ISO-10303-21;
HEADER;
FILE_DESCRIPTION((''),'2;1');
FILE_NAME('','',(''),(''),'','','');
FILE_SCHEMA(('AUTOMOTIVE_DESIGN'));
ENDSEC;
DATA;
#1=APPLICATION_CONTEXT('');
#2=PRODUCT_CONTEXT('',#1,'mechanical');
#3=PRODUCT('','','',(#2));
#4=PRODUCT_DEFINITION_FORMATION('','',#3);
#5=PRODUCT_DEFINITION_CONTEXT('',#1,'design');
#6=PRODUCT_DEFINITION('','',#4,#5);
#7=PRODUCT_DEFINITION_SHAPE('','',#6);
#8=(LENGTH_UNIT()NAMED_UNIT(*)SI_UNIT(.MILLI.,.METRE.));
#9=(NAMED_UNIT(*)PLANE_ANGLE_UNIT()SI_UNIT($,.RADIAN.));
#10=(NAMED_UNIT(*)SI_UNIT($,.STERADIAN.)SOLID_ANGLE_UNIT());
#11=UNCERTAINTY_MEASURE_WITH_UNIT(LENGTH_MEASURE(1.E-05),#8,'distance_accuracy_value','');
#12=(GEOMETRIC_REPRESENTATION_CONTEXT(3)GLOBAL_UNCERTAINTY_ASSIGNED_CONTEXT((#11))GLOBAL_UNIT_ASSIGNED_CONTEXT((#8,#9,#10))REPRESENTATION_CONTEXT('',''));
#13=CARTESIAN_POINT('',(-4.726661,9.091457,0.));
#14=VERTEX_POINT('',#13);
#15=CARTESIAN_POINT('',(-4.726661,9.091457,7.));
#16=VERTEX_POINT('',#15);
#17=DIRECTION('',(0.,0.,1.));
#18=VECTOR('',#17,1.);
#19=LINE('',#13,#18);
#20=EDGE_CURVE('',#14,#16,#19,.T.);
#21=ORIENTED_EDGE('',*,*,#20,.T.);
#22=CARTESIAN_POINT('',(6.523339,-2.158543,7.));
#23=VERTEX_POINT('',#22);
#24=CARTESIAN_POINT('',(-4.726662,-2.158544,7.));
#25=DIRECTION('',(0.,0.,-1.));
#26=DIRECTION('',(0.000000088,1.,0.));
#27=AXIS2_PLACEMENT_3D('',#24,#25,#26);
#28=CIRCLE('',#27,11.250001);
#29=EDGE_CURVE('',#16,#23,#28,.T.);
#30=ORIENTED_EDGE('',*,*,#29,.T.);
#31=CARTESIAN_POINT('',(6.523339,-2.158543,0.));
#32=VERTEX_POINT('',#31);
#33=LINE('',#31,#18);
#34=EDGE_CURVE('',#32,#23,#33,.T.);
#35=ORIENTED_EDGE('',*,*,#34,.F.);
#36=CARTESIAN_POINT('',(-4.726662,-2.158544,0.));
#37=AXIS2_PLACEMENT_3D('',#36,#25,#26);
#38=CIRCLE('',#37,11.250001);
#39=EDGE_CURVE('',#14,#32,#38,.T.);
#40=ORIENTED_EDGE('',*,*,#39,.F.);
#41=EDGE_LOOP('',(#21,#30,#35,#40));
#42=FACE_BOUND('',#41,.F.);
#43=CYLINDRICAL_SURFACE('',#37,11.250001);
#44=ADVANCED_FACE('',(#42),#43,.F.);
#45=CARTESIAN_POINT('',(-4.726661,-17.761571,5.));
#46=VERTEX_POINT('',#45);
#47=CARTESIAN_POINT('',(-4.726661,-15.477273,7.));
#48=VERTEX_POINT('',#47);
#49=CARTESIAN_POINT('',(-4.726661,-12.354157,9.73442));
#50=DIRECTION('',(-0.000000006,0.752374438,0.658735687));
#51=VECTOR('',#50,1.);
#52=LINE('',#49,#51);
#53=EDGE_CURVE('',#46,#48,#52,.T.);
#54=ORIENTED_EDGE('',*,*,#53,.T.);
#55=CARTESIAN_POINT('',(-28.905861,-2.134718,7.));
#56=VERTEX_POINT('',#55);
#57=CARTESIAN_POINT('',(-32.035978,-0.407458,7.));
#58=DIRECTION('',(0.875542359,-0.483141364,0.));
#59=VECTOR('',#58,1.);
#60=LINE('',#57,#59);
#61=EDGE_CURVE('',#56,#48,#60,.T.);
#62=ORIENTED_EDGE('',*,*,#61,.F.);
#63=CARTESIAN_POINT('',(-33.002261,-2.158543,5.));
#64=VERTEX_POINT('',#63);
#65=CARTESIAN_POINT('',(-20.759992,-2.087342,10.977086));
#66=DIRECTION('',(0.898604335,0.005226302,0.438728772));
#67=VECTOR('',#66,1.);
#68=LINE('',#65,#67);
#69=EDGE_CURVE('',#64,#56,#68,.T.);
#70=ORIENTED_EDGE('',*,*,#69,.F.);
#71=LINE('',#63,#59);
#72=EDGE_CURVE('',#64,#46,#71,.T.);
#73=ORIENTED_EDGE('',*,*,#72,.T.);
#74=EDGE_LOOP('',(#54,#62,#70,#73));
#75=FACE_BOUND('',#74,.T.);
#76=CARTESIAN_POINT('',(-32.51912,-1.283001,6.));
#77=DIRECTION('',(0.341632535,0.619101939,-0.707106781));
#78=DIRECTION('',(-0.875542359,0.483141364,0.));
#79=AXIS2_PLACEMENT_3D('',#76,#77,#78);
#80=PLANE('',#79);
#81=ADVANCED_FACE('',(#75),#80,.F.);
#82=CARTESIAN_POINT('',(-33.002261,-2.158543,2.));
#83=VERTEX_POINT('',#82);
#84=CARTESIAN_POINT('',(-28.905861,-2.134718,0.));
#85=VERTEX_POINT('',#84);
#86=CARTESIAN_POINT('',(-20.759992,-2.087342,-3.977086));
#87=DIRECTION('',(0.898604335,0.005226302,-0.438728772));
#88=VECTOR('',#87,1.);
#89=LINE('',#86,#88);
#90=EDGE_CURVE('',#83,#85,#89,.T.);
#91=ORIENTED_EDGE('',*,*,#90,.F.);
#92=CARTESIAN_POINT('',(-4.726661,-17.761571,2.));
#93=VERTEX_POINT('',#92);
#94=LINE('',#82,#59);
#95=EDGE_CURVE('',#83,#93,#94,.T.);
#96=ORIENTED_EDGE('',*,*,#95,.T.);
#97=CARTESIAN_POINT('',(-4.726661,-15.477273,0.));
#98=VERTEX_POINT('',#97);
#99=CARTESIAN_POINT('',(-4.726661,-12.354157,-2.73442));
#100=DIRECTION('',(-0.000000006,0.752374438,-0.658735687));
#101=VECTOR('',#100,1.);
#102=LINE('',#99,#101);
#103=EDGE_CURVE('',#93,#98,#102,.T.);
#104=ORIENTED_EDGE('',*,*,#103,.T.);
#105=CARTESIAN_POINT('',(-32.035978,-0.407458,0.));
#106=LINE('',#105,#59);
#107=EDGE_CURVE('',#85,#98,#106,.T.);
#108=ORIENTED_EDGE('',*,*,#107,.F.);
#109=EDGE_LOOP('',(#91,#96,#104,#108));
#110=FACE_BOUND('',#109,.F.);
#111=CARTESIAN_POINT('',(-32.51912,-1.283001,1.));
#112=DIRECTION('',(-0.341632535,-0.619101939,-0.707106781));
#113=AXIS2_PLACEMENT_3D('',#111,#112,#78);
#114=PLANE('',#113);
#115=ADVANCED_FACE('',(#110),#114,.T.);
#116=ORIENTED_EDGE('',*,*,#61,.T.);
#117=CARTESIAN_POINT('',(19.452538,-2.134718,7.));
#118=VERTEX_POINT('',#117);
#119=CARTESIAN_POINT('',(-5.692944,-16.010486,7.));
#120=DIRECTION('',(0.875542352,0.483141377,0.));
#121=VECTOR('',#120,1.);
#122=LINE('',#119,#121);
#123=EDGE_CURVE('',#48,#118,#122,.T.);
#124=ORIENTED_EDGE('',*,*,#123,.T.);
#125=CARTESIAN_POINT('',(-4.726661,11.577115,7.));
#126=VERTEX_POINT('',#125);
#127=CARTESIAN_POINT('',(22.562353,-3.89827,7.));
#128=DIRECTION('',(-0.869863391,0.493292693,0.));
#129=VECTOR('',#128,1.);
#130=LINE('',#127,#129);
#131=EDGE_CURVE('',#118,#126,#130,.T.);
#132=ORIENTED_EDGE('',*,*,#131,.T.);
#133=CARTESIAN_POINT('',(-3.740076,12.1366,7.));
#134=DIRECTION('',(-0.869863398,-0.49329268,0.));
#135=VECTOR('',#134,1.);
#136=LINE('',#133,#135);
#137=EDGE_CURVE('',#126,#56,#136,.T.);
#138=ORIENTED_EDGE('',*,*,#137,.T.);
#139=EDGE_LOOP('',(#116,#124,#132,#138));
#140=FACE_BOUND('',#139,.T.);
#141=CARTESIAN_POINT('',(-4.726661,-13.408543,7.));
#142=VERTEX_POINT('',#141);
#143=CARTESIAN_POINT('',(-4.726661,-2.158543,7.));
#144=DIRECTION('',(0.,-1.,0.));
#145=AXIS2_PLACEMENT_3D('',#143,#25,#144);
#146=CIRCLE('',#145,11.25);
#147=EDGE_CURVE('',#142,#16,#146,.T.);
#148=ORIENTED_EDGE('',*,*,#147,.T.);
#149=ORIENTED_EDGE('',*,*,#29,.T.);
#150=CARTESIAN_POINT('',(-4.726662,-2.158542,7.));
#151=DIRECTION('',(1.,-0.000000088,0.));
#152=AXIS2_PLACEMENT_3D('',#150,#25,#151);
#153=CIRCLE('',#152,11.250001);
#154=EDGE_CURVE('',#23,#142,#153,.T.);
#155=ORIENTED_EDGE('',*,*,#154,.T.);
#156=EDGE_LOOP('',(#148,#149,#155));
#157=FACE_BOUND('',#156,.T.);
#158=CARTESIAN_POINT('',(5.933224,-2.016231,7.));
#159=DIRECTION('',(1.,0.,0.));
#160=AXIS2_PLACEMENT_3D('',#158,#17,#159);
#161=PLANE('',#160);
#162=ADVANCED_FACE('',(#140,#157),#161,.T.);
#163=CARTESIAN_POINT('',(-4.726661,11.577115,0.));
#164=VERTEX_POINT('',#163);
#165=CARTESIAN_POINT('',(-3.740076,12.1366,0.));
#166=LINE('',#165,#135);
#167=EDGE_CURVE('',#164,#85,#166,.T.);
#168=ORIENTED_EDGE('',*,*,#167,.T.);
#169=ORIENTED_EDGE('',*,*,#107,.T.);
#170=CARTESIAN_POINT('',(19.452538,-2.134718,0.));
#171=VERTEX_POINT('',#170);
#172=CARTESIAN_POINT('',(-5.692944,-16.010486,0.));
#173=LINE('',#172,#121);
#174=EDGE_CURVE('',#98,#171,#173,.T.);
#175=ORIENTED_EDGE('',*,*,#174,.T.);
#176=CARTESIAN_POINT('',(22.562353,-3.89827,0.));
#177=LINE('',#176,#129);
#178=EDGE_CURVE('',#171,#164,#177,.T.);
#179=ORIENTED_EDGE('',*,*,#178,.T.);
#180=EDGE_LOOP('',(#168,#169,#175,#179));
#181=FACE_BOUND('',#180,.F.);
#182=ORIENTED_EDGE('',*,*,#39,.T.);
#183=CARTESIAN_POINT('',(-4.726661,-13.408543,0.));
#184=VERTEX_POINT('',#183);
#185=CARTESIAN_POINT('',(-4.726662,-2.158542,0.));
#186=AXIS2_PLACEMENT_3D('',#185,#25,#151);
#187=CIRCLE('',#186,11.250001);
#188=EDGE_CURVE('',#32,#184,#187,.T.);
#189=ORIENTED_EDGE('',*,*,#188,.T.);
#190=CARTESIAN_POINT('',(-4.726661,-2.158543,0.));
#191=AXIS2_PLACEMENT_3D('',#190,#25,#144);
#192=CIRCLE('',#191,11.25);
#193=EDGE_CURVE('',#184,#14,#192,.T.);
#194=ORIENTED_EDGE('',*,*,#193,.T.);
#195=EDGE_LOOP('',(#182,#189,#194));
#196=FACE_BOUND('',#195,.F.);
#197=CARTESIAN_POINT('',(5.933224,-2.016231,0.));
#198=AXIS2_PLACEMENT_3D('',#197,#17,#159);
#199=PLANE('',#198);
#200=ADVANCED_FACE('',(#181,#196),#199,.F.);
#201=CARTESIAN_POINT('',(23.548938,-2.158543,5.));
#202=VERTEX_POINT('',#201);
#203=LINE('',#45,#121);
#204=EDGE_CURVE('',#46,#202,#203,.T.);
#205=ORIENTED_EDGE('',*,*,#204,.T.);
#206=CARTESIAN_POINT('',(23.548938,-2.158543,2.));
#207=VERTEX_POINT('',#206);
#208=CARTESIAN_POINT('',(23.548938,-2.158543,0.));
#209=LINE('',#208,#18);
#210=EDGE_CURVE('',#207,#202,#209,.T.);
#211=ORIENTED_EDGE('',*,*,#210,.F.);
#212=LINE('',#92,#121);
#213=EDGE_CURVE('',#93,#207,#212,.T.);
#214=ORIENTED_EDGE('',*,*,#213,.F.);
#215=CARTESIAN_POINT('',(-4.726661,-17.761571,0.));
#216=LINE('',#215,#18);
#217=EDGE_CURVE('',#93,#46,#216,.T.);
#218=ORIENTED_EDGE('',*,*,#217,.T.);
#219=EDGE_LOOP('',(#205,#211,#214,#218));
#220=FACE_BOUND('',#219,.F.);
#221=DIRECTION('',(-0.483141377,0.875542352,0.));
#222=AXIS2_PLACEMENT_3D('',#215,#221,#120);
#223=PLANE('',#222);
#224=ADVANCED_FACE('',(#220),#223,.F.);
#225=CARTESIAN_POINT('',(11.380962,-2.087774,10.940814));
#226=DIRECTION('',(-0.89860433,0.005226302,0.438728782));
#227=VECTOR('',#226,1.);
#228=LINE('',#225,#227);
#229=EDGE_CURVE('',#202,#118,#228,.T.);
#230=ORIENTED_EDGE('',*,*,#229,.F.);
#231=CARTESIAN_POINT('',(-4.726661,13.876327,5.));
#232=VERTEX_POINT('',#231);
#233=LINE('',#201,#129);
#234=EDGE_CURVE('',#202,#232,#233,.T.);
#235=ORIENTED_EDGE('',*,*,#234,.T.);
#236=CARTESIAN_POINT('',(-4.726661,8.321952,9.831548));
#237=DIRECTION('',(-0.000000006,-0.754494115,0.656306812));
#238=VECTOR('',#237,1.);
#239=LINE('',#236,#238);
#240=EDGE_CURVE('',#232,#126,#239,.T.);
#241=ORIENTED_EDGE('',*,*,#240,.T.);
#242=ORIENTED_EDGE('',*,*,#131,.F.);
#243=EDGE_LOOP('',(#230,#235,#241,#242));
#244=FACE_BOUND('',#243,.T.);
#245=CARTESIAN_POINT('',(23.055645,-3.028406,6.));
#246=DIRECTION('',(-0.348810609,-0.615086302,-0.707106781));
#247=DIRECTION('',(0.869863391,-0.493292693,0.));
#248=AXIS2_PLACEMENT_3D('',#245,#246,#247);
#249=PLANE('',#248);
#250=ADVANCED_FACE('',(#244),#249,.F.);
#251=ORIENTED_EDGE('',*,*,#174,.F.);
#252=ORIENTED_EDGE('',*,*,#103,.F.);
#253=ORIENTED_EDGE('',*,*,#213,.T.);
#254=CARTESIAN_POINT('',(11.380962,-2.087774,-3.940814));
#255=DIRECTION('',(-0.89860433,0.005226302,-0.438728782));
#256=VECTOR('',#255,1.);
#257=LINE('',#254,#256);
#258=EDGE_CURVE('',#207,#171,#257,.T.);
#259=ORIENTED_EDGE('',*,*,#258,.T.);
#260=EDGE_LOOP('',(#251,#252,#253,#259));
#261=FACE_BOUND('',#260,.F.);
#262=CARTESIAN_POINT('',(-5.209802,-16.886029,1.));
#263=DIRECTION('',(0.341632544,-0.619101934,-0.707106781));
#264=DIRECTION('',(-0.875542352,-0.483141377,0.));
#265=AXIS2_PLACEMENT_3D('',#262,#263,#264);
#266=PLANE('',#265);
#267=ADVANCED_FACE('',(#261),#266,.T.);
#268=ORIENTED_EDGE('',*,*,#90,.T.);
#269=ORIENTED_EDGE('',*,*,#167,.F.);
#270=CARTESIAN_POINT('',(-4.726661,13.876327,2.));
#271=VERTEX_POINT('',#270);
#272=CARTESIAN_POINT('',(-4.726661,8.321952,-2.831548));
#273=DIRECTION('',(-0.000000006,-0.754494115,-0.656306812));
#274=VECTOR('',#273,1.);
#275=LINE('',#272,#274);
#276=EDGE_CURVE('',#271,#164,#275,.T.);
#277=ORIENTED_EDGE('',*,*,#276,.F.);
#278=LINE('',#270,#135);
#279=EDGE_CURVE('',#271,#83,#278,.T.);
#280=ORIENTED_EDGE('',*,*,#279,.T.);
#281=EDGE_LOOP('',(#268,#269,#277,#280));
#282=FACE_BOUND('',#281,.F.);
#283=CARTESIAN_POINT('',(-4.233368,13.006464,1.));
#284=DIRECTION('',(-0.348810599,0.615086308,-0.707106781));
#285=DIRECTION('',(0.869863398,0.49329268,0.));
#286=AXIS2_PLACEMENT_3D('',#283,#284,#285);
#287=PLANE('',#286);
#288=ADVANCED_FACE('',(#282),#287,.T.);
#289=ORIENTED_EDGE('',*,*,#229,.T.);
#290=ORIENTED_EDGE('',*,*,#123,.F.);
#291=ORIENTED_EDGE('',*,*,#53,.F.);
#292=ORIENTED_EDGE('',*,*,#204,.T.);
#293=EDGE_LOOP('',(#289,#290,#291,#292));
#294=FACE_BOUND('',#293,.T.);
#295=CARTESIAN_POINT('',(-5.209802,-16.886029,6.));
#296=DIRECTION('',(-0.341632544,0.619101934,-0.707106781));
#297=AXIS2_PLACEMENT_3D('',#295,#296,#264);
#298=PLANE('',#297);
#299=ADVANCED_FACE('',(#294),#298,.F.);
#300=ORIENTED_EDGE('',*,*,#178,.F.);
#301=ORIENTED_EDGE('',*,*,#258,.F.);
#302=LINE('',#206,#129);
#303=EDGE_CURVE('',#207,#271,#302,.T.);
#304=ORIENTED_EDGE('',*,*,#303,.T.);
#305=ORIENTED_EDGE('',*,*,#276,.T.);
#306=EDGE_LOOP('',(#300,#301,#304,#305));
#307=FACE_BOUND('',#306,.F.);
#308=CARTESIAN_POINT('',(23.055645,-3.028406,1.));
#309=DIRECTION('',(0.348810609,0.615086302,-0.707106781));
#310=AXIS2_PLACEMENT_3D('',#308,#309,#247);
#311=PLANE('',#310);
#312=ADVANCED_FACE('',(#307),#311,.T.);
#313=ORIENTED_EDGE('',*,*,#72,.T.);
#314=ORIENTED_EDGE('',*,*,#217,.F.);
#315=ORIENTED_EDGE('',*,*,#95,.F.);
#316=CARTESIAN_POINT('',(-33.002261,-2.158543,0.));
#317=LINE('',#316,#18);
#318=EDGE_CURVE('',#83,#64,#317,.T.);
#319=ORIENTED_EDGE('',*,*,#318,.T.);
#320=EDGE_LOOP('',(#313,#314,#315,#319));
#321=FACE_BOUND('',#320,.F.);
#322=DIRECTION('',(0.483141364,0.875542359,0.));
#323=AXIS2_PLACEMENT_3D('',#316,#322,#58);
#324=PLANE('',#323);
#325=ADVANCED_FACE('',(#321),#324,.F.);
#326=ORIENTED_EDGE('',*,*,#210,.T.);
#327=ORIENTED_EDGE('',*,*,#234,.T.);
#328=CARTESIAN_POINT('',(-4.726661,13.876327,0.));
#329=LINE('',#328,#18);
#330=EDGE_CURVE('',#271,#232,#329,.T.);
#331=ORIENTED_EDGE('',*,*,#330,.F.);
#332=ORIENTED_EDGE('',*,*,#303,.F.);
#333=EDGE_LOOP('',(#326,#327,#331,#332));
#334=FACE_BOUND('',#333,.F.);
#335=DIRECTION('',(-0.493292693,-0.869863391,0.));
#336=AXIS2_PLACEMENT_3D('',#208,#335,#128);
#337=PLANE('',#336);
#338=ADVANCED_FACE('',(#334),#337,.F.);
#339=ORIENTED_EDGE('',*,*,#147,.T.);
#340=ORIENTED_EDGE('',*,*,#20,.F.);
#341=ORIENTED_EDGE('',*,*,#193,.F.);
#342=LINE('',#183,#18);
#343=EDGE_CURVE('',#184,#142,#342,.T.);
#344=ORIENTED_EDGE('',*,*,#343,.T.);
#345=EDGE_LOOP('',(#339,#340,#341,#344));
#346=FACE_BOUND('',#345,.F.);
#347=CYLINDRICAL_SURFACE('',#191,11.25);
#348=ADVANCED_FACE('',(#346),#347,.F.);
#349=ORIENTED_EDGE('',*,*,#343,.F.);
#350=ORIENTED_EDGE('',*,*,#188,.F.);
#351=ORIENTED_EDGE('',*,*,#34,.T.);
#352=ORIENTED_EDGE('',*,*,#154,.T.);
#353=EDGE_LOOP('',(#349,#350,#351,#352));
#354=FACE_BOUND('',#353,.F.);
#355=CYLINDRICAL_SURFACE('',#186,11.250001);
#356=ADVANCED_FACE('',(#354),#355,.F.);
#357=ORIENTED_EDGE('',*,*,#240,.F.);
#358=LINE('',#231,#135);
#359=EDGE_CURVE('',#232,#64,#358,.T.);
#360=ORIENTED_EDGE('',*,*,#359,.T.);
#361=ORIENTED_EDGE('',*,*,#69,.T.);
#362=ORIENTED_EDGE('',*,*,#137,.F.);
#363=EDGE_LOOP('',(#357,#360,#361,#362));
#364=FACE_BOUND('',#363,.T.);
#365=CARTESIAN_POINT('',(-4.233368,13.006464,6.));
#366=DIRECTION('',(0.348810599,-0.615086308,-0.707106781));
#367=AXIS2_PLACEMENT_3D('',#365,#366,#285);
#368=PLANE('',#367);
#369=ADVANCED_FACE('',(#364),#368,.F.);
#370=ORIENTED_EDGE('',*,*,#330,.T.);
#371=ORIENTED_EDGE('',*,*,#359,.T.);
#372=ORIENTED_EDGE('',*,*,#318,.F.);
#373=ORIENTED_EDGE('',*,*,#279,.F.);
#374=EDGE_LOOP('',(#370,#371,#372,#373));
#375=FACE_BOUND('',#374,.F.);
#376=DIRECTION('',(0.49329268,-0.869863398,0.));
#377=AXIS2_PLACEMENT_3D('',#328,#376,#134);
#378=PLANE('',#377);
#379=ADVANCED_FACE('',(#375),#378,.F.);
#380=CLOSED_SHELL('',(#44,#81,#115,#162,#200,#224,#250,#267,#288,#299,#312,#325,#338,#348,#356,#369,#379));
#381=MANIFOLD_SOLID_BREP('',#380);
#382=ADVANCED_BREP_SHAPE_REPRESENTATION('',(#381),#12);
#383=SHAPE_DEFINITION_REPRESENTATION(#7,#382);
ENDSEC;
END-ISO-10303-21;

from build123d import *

# Parameters (mm, degrees)
F1_DEPTH = 7
F2_SIZE  = 2


with BuildPart() as f1:
    # F0 (on Top) → F1 (new body)
    with BuildSketch(Plane.XY):
        with BuildLine():
            ThreePointArc((-4.726661, 9.091457), (3.22829, 5.796408), (6.523339, -2.158543))
            ThreePointArc((6.523339, -2.158543), (3.22829, -10.113494), (-4.726661, -13.408543))
            Line((-4.726661, -13.408543), (-4.726661, -17.761571))
            Line((-4.726661, -17.761571), (23.548938, -2.158543))
            Line((23.548938, -2.158543), (-4.726661, 13.876327))
            Line((-4.726661, 13.876327), (-4.726661, 9.091457))
        make_face()
        with BuildLine():
            ThreePointArc((-4.726661, -13.408543), (-15.976661, -2.158543), (-4.726661, 9.091457))
            Line((-4.726661, 9.091457), (-4.726661, 13.876327))
            Line((-4.726661, 13.876327), (-33.002261, -2.158543))
            Line((-33.002261, -2.158543), (-4.726661, -17.761571))
            Line((-4.726661, -17.761571), (-4.726661, -13.408543))
        make_face()
    extrude(amount=F1_DEPTH)

    # F2
    f2_edges = [f1.edges().sort_by_distance(p)[0] for p in [
        (9.411138, 5.858892, 7),
        (9.411138, 5.858892, 0),
        (-18.864461, 5.858892, 7),
        (-18.864461, 5.858892, 0),
        (-18.864461, -9.960057, 7),
        (-18.864461, -9.960057, 0),
        (9.411138, -9.960057, 0),
        (9.411138, -9.960057, 7),
    ]]
    chamfer(f2_edges, length=F2_SIZE)


solid = f1.part
